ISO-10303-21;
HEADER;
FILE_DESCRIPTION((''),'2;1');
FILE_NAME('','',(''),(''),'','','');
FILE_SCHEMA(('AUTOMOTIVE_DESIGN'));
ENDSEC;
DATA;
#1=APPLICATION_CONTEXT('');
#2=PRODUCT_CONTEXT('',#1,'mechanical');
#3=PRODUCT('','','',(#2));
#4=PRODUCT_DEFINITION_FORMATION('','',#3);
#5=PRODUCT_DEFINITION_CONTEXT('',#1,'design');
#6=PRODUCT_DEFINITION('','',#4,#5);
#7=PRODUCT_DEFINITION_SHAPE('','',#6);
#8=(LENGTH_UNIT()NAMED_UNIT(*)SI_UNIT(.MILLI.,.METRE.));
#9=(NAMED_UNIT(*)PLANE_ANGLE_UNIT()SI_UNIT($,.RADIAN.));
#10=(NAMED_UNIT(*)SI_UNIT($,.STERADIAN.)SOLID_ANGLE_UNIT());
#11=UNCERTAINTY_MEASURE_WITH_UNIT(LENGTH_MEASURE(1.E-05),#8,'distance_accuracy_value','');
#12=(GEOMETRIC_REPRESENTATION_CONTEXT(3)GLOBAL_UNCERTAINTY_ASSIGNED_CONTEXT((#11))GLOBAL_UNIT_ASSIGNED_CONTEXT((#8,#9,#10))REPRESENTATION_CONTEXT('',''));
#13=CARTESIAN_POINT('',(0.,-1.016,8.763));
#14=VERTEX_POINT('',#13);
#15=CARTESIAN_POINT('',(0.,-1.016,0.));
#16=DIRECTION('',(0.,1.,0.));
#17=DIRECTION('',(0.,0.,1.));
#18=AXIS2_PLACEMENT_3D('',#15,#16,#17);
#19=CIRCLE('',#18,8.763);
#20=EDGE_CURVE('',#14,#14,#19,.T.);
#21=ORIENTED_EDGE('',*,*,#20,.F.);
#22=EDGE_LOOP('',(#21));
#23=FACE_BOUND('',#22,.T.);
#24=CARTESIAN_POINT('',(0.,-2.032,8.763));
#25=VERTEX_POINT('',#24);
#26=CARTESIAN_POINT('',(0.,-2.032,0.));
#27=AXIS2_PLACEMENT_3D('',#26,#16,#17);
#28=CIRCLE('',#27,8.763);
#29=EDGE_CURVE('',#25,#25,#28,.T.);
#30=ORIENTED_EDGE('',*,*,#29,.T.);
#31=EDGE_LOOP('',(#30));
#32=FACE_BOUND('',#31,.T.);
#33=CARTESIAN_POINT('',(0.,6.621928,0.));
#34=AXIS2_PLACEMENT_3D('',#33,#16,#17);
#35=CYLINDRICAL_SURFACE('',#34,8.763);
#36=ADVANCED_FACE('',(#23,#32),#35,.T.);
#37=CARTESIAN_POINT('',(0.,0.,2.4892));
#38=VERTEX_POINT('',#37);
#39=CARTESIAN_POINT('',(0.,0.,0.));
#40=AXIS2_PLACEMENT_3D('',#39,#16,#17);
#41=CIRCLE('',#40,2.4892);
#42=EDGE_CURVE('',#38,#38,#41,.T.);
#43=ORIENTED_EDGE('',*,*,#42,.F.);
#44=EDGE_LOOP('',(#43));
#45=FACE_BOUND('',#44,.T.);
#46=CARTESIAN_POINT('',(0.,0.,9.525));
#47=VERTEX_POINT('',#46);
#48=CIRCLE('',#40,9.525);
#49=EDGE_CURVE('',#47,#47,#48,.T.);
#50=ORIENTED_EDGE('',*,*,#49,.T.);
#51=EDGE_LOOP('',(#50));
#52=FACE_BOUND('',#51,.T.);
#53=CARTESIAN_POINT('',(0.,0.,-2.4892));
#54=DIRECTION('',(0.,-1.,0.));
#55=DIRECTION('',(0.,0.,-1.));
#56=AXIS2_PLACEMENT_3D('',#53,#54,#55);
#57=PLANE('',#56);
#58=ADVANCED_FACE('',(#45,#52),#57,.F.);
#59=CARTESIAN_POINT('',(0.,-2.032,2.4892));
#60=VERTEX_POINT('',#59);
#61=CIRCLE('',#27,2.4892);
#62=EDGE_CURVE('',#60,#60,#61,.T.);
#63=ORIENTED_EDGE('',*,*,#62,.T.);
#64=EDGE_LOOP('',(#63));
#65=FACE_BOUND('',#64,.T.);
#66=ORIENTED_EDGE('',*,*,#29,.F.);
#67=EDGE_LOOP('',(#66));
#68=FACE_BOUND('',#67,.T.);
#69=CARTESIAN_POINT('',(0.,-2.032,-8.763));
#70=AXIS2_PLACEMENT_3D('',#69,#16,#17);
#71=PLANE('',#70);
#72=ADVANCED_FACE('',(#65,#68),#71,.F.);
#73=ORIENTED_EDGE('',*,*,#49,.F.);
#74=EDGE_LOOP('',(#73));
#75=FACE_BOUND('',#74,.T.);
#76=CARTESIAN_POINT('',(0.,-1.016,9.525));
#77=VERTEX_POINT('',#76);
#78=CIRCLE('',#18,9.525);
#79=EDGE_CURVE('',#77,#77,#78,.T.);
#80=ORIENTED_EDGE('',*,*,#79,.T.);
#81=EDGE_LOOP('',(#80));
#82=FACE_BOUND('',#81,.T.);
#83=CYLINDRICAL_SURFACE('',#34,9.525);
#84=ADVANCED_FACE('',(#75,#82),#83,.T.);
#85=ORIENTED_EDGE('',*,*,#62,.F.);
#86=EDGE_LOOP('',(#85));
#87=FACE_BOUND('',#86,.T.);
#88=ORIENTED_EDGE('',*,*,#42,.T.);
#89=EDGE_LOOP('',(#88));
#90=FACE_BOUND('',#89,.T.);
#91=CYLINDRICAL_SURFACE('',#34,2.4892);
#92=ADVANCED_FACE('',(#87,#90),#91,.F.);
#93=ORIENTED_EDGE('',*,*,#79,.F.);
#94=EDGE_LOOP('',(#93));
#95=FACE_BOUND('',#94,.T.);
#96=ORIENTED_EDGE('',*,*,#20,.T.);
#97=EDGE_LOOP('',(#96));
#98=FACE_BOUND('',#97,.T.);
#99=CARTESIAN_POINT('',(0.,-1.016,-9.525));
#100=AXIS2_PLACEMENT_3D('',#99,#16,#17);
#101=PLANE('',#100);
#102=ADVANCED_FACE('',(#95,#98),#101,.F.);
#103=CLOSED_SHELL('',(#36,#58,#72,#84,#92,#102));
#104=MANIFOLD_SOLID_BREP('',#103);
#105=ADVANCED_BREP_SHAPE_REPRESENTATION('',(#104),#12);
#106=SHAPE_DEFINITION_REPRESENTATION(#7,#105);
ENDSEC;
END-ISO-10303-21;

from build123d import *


with BuildPart() as part:
    # Sketch1 → Revolve1 (revolve)
    with BuildSketch(Plane(origin=(0, 0, 0), x_dir=(0, 0, -1), z_dir=(1, 0, 0)), mode=Mode.PRIVATE) as revolve1_sk:
        Polygon((2.4892, -2.032), (2.4892, 0), (9.525, 0), (9.525, -1.016), (8.763, -1.016), (8.763, -2.032), align=None)
    revolve(revolve1_sk.sketch.rotate(Axis((0, 6.621927555, 0), (0, -1, 0)), 180), axis=Axis((0, 6.621927555, 0), (0, -1, 0)))


solid = part.part
